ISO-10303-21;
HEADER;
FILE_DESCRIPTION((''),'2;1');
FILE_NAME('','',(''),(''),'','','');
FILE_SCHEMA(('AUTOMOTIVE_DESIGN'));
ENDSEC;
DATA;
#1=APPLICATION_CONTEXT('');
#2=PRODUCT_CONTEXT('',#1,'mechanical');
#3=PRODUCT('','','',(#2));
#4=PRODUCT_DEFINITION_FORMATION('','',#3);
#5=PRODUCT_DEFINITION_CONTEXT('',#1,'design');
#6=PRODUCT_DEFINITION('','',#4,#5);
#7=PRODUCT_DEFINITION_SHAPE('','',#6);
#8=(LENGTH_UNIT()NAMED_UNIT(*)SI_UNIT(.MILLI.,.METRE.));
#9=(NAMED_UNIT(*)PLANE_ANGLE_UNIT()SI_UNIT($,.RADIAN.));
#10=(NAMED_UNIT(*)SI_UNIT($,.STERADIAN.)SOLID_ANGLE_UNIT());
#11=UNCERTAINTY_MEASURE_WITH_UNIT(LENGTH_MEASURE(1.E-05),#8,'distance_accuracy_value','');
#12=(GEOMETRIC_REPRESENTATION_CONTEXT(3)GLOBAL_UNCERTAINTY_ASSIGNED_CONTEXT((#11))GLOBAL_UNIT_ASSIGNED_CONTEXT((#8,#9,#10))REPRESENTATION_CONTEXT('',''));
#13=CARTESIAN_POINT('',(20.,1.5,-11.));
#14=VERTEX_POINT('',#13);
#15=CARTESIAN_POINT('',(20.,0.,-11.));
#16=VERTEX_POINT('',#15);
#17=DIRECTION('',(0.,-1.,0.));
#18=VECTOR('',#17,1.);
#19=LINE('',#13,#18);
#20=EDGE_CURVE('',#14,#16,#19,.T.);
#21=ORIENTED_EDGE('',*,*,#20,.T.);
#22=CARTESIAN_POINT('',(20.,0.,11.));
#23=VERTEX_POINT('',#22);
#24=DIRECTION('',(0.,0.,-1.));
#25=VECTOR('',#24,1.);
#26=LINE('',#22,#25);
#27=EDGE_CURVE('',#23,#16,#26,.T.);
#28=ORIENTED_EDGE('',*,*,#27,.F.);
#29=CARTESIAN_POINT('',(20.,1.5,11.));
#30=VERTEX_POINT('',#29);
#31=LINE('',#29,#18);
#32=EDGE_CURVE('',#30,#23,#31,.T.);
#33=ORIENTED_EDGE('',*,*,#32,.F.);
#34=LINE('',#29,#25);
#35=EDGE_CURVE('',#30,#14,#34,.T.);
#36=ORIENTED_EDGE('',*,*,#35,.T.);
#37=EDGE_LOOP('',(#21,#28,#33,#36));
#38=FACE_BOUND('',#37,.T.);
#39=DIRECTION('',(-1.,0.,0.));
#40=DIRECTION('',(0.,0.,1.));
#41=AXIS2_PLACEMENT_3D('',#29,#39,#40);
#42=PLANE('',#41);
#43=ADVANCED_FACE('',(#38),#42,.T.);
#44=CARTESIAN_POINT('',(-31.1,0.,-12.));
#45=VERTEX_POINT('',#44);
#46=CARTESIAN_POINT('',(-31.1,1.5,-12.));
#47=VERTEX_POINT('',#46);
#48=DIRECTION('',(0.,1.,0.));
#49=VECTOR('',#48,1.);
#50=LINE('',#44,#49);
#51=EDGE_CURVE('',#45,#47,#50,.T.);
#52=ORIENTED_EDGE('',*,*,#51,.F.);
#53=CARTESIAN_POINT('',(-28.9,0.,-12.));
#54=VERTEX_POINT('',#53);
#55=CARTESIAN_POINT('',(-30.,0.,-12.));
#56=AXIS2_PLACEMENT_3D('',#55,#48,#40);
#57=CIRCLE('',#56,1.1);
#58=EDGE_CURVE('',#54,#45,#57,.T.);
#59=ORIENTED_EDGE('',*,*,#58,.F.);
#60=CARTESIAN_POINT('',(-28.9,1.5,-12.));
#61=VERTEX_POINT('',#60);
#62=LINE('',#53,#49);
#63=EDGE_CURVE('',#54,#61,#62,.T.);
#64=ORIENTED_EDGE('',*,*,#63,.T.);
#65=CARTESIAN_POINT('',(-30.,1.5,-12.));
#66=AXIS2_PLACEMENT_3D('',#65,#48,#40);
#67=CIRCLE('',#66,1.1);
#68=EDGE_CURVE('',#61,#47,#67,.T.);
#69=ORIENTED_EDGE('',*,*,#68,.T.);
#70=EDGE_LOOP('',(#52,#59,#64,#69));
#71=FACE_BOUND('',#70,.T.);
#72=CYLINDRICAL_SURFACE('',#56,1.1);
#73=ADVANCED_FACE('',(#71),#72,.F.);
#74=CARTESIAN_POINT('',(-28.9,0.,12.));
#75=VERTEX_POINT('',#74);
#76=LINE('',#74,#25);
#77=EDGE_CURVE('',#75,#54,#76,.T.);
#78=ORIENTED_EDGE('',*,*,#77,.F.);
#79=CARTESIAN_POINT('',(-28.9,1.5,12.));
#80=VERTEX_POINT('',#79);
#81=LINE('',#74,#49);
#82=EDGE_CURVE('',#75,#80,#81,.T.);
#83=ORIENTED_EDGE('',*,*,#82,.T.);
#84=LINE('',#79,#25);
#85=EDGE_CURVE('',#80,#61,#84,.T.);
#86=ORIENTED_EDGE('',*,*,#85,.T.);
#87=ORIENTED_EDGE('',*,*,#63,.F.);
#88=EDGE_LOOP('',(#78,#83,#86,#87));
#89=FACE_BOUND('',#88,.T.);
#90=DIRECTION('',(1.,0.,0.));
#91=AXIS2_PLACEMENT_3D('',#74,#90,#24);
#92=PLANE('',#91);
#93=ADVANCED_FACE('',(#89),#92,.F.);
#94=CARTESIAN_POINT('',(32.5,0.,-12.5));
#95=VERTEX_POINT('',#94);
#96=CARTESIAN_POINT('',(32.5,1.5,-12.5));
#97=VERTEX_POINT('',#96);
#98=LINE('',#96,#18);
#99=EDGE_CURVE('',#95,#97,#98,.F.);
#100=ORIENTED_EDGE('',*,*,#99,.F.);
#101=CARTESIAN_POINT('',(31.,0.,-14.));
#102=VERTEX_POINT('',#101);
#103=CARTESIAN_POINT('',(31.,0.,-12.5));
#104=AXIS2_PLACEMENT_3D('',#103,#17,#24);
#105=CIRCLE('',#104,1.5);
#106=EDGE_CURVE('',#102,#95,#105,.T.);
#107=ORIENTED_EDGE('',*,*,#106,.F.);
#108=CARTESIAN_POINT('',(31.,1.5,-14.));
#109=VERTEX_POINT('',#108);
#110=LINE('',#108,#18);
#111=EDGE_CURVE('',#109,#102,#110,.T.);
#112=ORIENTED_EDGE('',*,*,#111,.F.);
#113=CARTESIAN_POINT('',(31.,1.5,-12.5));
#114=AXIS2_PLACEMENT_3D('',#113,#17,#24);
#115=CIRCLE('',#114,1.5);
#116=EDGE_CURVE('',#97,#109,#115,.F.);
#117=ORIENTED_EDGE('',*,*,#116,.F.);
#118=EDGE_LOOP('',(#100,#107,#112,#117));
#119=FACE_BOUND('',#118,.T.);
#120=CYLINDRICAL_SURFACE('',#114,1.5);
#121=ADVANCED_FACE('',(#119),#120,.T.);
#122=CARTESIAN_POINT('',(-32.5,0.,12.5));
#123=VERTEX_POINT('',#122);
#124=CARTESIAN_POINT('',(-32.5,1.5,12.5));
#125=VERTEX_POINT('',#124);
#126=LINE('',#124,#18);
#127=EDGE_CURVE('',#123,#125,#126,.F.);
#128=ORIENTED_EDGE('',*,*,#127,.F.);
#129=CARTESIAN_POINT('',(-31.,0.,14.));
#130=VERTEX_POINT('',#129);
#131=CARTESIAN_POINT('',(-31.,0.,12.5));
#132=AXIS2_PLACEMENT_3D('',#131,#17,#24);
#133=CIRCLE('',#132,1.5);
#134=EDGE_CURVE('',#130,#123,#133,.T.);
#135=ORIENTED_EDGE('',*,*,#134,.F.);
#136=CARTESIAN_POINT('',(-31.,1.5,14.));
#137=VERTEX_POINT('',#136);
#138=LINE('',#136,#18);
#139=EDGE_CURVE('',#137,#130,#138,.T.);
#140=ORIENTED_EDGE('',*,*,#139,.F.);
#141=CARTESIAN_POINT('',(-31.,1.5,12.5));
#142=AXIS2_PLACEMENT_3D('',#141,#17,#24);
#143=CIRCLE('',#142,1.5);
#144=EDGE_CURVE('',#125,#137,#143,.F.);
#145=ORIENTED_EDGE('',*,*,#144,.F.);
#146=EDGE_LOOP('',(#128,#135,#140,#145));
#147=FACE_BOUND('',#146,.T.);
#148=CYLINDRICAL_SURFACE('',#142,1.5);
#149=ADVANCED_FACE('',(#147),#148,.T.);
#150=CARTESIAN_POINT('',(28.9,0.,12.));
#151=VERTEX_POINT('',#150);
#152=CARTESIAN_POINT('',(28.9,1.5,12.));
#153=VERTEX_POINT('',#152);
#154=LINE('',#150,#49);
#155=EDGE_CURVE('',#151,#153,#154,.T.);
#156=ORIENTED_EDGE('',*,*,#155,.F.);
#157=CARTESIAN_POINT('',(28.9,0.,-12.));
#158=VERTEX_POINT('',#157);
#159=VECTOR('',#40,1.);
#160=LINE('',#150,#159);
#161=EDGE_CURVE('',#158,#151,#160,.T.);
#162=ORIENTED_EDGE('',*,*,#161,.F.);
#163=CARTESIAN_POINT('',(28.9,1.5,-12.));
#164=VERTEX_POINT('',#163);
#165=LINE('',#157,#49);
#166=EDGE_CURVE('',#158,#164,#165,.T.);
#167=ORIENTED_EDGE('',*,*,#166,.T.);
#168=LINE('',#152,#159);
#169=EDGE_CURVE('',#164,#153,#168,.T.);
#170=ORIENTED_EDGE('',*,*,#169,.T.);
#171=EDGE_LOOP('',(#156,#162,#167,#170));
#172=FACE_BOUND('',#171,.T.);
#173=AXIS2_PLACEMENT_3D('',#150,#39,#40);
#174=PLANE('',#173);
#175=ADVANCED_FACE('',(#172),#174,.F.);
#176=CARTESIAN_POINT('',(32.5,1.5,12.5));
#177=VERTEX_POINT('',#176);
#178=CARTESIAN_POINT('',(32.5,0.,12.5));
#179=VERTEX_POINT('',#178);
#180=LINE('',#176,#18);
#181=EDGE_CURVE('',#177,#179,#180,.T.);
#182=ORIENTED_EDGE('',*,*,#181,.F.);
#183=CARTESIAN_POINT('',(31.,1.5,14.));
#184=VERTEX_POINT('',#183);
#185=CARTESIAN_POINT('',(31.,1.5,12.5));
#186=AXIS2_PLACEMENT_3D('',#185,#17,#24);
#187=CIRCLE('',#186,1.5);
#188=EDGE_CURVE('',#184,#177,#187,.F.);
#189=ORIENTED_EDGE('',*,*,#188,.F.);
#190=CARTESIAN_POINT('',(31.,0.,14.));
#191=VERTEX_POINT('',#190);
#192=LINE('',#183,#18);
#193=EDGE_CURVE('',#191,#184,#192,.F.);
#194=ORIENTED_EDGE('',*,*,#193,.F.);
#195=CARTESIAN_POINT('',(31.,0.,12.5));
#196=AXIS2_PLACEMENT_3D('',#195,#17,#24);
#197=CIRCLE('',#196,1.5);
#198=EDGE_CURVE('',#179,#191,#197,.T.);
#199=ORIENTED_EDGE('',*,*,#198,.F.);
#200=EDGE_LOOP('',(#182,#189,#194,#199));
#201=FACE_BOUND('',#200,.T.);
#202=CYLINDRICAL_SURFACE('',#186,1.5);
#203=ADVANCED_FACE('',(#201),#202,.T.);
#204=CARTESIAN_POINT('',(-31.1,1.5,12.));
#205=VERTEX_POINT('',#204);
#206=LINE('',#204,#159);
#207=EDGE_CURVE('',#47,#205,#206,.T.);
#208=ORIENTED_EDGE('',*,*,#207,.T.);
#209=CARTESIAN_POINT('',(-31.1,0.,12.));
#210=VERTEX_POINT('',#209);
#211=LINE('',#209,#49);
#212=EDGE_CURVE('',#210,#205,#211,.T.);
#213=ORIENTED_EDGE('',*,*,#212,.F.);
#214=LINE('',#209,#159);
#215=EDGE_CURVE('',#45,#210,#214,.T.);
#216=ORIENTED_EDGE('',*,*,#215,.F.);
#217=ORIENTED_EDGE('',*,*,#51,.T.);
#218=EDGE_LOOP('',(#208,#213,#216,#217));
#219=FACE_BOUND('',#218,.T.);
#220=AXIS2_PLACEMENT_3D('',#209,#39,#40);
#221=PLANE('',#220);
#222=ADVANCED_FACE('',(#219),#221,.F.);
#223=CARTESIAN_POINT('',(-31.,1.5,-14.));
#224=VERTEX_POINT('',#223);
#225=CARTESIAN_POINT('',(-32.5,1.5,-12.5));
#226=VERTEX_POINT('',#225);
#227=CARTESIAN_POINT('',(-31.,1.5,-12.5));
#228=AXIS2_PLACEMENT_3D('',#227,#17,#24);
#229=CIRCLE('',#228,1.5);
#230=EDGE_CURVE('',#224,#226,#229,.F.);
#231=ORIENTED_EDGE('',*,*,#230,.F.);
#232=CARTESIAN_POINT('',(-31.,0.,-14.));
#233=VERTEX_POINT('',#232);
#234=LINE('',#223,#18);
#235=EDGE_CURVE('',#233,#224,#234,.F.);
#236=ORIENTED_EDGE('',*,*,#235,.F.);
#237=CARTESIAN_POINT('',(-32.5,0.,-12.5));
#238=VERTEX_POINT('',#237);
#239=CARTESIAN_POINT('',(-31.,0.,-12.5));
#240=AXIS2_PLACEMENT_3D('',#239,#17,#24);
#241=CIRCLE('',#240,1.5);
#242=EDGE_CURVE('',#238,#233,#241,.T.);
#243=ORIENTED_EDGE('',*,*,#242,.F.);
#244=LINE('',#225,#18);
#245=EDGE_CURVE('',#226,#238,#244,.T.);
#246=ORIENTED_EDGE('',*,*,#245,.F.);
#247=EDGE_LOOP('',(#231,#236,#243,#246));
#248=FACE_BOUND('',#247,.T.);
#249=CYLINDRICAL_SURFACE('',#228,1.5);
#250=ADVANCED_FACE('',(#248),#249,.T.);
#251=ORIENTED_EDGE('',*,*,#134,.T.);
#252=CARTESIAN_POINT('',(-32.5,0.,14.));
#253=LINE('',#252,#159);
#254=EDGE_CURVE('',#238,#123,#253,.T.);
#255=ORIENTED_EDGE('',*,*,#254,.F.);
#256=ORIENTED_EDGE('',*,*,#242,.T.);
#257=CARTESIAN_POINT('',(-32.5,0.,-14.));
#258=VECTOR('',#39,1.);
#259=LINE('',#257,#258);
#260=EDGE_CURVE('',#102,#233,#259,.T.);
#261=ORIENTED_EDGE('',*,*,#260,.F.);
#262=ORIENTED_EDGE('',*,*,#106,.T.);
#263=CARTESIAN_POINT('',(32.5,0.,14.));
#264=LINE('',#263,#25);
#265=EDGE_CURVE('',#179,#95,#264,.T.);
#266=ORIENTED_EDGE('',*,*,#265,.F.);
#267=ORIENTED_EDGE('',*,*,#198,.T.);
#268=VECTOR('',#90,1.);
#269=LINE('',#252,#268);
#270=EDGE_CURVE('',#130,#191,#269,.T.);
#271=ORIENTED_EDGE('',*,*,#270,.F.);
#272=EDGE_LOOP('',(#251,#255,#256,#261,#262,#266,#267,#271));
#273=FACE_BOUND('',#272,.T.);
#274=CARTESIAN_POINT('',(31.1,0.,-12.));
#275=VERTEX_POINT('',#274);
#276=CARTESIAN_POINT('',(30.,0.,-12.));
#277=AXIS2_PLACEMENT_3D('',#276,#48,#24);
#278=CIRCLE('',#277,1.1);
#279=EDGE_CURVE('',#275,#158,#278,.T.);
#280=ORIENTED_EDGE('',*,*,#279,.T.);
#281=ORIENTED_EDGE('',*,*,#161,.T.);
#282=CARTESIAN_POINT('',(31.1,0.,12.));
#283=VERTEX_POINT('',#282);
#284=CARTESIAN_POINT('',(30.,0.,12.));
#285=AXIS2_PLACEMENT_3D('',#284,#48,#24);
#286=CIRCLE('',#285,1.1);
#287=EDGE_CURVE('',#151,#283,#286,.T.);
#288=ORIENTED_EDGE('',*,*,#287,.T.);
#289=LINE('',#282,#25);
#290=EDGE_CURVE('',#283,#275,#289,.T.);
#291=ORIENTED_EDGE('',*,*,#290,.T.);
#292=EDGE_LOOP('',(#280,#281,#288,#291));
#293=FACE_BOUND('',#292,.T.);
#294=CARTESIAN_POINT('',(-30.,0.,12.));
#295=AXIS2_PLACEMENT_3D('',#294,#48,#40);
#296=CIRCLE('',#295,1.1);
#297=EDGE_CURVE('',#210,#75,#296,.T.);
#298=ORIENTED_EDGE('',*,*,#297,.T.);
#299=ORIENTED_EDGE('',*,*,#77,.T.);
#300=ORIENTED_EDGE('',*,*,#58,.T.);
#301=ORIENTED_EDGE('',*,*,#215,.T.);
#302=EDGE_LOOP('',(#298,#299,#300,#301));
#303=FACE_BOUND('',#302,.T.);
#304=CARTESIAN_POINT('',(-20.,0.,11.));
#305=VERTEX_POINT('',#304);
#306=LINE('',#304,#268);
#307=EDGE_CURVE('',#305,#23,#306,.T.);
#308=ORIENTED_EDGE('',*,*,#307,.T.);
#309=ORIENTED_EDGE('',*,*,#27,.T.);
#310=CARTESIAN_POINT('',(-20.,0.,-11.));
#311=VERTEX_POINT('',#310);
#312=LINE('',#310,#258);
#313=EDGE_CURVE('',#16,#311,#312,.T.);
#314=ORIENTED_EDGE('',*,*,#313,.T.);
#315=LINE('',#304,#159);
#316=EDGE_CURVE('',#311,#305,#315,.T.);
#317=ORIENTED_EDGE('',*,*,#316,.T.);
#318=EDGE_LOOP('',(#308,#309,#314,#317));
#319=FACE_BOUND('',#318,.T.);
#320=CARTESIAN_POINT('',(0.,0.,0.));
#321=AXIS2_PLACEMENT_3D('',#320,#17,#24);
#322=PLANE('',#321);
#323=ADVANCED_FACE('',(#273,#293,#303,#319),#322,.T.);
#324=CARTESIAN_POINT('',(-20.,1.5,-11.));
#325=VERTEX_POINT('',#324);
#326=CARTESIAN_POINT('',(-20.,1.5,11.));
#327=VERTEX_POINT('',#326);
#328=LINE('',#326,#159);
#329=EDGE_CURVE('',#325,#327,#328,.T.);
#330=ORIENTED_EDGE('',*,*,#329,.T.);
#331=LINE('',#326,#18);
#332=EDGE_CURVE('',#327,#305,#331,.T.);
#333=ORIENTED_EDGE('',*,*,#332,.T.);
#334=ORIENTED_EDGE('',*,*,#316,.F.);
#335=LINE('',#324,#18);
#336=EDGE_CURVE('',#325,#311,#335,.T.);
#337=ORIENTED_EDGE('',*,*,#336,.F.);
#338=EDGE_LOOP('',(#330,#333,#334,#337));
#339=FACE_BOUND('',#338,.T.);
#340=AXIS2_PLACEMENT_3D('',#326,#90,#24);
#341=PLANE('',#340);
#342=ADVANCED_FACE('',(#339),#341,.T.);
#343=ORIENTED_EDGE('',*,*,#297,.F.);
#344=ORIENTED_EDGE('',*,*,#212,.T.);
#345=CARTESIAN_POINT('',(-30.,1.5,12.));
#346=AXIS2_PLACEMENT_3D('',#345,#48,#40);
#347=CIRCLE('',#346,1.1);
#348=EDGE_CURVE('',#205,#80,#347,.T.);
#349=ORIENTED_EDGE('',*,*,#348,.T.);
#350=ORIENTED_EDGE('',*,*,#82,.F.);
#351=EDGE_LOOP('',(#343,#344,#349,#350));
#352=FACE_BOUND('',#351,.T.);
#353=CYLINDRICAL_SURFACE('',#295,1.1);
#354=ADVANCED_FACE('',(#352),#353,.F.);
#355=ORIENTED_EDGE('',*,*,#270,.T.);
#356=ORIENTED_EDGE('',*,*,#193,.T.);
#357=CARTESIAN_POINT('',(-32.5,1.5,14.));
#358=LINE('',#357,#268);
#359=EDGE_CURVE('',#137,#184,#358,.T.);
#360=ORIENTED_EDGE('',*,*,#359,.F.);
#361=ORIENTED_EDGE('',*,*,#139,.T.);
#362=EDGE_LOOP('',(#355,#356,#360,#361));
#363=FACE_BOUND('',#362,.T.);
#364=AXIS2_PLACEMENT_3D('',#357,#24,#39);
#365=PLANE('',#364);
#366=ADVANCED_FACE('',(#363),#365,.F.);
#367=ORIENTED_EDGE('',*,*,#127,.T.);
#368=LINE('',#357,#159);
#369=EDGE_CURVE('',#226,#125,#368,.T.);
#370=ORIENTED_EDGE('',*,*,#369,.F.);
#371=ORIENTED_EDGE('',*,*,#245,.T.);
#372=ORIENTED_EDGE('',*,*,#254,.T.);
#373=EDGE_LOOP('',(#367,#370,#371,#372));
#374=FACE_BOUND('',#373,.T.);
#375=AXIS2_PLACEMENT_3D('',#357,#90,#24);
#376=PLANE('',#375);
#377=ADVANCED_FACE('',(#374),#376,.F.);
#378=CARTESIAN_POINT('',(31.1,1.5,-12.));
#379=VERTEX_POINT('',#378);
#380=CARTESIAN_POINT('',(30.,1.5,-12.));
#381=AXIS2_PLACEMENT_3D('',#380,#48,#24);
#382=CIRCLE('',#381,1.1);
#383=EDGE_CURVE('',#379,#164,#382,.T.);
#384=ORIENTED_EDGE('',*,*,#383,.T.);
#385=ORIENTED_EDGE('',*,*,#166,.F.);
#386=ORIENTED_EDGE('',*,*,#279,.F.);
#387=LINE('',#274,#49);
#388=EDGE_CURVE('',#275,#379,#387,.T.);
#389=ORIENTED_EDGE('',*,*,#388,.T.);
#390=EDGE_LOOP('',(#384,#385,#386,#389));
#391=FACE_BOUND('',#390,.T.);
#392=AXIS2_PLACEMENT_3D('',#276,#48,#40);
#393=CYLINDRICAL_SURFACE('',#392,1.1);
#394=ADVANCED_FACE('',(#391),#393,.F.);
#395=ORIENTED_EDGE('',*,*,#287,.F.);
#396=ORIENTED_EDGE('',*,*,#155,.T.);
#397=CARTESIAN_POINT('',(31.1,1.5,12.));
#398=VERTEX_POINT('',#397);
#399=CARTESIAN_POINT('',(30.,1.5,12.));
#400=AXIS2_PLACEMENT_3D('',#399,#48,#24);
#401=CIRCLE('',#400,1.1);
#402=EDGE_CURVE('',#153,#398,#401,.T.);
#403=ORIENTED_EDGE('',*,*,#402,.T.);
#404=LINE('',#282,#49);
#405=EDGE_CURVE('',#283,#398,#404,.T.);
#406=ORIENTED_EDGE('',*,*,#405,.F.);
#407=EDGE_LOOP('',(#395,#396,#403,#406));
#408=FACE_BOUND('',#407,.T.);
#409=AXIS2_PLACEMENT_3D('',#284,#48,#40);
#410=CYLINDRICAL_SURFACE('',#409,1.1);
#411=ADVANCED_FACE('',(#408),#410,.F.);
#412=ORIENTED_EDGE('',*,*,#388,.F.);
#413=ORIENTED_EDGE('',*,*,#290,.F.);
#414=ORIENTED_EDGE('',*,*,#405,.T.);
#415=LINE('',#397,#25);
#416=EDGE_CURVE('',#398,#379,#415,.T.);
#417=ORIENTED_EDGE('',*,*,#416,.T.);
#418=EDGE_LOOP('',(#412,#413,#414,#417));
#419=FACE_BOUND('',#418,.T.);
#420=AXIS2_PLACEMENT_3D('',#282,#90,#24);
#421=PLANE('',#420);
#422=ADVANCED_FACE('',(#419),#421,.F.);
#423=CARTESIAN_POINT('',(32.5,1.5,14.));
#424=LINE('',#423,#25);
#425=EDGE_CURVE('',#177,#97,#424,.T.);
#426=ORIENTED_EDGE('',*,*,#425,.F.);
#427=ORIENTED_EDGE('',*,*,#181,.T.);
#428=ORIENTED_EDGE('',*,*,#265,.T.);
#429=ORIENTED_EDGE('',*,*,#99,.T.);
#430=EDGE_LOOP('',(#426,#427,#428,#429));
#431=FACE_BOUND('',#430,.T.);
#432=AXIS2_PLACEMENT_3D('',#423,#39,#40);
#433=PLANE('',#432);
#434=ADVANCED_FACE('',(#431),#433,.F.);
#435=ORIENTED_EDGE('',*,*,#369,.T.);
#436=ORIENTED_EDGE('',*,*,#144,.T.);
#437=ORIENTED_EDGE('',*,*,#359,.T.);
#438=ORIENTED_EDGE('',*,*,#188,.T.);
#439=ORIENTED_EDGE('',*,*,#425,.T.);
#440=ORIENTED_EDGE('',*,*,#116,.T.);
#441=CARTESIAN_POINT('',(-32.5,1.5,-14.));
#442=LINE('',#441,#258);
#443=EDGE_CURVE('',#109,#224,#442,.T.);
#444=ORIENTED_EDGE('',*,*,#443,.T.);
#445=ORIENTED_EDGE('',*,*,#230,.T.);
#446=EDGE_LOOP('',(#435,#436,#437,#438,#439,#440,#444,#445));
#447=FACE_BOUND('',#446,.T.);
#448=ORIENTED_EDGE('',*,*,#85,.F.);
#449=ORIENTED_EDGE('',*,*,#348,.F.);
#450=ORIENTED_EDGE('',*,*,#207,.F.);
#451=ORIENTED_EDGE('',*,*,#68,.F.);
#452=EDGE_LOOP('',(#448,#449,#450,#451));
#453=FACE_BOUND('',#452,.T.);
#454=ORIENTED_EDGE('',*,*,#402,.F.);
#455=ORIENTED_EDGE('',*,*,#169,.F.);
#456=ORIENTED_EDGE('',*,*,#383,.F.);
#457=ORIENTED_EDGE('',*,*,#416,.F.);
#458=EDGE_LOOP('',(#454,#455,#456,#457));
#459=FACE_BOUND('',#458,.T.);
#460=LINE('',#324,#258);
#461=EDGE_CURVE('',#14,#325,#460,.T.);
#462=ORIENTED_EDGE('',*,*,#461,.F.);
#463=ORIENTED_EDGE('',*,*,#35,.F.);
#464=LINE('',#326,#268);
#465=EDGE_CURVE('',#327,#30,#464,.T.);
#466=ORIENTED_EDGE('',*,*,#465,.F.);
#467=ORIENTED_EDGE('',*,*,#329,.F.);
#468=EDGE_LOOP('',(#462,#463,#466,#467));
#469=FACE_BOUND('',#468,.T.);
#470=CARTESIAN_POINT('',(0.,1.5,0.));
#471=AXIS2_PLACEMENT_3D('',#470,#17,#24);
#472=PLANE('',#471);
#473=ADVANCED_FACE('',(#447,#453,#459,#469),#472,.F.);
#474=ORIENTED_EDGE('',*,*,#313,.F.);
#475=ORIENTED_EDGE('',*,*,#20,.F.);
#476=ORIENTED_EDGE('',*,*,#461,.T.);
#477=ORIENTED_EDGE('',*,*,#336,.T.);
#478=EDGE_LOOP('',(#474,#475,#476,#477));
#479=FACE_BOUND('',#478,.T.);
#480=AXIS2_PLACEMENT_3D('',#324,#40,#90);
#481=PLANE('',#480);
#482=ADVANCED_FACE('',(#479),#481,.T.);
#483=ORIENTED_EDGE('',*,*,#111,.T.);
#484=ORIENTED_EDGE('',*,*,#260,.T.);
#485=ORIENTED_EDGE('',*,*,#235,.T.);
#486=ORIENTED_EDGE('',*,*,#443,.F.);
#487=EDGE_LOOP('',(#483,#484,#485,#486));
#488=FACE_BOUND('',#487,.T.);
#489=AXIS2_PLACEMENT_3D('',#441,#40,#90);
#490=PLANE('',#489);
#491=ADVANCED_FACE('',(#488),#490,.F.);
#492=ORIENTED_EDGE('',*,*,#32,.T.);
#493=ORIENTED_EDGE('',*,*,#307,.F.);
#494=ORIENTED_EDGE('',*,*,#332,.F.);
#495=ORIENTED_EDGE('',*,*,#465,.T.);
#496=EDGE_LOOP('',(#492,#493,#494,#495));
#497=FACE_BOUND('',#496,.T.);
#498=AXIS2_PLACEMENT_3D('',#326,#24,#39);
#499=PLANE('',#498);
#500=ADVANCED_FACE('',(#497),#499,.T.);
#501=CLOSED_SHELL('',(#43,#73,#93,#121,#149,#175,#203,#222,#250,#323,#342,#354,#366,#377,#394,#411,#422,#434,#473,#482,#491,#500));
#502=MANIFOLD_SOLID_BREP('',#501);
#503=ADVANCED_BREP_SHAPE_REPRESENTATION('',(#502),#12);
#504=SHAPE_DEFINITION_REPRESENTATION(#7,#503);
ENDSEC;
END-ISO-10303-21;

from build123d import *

# Parameters (mm, degrees)
SKETCH1_W           = 65
SKETCH1_H           = 28
SKETCH1_W_2         = 40
SKETCH1_H_2         = 22
BOSS_EXTRUDE1_DEPTH = 1.5
CUT_EXTRUDE1_DEPTH  = 2.5
FILLET2_R           = 1.5


with BuildPart() as part:
    # Sketch1 → Boss-Extrude1 (new body)
    with BuildSketch(Plane(origin=(0, 0, 0), x_dir=(1, 0, 0), z_dir=(0, 1, 0))):
        Rectangle(SKETCH1_W, SKETCH1_H)
        Rectangle(SKETCH1_W_2, SKETCH1_H_2, mode=Mode.SUBTRACT)
    extrude(amount=BOSS_EXTRUDE1_DEPTH)

    # Sketch2 → Cut-Extrude1 (cut, through all)
    with BuildSketch(Plane(origin=(0, 1.5, 0), x_dir=(1, 0, 0), z_dir=(0, 1, 0))):
        with BuildLine():
            Line((-31.1, -12), (-31.1, 12))
            ThreePointArc((-31.1, 12), (-30, 13.1), (-28.9, 12))
            Line((-28.9, 12), (-28.9, -12))
            ThreePointArc((-28.9, -12), (-30, -13.1), (-31.1, -12))
        make_face()
        with BuildLine():
            Line((31.1, -12), (31.1, 12))
            ThreePointArc((31.1, 12), (30, 13.1), (28.9, 12))
            Line((28.9, 12), (28.9, -12))
            ThreePointArc((28.9, -12), (30, -13.1), (31.1, -12))
        make_face()
    extrude(amount=-CUT_EXTRUDE1_DEPTH, mode=Mode.SUBTRACT)

    # Fillet2
    fillet2_edges = [part.edges().sort_by_distance(p)[0] for p in [
        (32.5, 0.75, 14),
        (-32.5, 0.75, 14),
        (-32.5, 0.75, -14),
        (32.5, 0.75, -14),
    ]]
    fillet(fillet2_edges, radius=FILLET2_R)


solid = part.part
